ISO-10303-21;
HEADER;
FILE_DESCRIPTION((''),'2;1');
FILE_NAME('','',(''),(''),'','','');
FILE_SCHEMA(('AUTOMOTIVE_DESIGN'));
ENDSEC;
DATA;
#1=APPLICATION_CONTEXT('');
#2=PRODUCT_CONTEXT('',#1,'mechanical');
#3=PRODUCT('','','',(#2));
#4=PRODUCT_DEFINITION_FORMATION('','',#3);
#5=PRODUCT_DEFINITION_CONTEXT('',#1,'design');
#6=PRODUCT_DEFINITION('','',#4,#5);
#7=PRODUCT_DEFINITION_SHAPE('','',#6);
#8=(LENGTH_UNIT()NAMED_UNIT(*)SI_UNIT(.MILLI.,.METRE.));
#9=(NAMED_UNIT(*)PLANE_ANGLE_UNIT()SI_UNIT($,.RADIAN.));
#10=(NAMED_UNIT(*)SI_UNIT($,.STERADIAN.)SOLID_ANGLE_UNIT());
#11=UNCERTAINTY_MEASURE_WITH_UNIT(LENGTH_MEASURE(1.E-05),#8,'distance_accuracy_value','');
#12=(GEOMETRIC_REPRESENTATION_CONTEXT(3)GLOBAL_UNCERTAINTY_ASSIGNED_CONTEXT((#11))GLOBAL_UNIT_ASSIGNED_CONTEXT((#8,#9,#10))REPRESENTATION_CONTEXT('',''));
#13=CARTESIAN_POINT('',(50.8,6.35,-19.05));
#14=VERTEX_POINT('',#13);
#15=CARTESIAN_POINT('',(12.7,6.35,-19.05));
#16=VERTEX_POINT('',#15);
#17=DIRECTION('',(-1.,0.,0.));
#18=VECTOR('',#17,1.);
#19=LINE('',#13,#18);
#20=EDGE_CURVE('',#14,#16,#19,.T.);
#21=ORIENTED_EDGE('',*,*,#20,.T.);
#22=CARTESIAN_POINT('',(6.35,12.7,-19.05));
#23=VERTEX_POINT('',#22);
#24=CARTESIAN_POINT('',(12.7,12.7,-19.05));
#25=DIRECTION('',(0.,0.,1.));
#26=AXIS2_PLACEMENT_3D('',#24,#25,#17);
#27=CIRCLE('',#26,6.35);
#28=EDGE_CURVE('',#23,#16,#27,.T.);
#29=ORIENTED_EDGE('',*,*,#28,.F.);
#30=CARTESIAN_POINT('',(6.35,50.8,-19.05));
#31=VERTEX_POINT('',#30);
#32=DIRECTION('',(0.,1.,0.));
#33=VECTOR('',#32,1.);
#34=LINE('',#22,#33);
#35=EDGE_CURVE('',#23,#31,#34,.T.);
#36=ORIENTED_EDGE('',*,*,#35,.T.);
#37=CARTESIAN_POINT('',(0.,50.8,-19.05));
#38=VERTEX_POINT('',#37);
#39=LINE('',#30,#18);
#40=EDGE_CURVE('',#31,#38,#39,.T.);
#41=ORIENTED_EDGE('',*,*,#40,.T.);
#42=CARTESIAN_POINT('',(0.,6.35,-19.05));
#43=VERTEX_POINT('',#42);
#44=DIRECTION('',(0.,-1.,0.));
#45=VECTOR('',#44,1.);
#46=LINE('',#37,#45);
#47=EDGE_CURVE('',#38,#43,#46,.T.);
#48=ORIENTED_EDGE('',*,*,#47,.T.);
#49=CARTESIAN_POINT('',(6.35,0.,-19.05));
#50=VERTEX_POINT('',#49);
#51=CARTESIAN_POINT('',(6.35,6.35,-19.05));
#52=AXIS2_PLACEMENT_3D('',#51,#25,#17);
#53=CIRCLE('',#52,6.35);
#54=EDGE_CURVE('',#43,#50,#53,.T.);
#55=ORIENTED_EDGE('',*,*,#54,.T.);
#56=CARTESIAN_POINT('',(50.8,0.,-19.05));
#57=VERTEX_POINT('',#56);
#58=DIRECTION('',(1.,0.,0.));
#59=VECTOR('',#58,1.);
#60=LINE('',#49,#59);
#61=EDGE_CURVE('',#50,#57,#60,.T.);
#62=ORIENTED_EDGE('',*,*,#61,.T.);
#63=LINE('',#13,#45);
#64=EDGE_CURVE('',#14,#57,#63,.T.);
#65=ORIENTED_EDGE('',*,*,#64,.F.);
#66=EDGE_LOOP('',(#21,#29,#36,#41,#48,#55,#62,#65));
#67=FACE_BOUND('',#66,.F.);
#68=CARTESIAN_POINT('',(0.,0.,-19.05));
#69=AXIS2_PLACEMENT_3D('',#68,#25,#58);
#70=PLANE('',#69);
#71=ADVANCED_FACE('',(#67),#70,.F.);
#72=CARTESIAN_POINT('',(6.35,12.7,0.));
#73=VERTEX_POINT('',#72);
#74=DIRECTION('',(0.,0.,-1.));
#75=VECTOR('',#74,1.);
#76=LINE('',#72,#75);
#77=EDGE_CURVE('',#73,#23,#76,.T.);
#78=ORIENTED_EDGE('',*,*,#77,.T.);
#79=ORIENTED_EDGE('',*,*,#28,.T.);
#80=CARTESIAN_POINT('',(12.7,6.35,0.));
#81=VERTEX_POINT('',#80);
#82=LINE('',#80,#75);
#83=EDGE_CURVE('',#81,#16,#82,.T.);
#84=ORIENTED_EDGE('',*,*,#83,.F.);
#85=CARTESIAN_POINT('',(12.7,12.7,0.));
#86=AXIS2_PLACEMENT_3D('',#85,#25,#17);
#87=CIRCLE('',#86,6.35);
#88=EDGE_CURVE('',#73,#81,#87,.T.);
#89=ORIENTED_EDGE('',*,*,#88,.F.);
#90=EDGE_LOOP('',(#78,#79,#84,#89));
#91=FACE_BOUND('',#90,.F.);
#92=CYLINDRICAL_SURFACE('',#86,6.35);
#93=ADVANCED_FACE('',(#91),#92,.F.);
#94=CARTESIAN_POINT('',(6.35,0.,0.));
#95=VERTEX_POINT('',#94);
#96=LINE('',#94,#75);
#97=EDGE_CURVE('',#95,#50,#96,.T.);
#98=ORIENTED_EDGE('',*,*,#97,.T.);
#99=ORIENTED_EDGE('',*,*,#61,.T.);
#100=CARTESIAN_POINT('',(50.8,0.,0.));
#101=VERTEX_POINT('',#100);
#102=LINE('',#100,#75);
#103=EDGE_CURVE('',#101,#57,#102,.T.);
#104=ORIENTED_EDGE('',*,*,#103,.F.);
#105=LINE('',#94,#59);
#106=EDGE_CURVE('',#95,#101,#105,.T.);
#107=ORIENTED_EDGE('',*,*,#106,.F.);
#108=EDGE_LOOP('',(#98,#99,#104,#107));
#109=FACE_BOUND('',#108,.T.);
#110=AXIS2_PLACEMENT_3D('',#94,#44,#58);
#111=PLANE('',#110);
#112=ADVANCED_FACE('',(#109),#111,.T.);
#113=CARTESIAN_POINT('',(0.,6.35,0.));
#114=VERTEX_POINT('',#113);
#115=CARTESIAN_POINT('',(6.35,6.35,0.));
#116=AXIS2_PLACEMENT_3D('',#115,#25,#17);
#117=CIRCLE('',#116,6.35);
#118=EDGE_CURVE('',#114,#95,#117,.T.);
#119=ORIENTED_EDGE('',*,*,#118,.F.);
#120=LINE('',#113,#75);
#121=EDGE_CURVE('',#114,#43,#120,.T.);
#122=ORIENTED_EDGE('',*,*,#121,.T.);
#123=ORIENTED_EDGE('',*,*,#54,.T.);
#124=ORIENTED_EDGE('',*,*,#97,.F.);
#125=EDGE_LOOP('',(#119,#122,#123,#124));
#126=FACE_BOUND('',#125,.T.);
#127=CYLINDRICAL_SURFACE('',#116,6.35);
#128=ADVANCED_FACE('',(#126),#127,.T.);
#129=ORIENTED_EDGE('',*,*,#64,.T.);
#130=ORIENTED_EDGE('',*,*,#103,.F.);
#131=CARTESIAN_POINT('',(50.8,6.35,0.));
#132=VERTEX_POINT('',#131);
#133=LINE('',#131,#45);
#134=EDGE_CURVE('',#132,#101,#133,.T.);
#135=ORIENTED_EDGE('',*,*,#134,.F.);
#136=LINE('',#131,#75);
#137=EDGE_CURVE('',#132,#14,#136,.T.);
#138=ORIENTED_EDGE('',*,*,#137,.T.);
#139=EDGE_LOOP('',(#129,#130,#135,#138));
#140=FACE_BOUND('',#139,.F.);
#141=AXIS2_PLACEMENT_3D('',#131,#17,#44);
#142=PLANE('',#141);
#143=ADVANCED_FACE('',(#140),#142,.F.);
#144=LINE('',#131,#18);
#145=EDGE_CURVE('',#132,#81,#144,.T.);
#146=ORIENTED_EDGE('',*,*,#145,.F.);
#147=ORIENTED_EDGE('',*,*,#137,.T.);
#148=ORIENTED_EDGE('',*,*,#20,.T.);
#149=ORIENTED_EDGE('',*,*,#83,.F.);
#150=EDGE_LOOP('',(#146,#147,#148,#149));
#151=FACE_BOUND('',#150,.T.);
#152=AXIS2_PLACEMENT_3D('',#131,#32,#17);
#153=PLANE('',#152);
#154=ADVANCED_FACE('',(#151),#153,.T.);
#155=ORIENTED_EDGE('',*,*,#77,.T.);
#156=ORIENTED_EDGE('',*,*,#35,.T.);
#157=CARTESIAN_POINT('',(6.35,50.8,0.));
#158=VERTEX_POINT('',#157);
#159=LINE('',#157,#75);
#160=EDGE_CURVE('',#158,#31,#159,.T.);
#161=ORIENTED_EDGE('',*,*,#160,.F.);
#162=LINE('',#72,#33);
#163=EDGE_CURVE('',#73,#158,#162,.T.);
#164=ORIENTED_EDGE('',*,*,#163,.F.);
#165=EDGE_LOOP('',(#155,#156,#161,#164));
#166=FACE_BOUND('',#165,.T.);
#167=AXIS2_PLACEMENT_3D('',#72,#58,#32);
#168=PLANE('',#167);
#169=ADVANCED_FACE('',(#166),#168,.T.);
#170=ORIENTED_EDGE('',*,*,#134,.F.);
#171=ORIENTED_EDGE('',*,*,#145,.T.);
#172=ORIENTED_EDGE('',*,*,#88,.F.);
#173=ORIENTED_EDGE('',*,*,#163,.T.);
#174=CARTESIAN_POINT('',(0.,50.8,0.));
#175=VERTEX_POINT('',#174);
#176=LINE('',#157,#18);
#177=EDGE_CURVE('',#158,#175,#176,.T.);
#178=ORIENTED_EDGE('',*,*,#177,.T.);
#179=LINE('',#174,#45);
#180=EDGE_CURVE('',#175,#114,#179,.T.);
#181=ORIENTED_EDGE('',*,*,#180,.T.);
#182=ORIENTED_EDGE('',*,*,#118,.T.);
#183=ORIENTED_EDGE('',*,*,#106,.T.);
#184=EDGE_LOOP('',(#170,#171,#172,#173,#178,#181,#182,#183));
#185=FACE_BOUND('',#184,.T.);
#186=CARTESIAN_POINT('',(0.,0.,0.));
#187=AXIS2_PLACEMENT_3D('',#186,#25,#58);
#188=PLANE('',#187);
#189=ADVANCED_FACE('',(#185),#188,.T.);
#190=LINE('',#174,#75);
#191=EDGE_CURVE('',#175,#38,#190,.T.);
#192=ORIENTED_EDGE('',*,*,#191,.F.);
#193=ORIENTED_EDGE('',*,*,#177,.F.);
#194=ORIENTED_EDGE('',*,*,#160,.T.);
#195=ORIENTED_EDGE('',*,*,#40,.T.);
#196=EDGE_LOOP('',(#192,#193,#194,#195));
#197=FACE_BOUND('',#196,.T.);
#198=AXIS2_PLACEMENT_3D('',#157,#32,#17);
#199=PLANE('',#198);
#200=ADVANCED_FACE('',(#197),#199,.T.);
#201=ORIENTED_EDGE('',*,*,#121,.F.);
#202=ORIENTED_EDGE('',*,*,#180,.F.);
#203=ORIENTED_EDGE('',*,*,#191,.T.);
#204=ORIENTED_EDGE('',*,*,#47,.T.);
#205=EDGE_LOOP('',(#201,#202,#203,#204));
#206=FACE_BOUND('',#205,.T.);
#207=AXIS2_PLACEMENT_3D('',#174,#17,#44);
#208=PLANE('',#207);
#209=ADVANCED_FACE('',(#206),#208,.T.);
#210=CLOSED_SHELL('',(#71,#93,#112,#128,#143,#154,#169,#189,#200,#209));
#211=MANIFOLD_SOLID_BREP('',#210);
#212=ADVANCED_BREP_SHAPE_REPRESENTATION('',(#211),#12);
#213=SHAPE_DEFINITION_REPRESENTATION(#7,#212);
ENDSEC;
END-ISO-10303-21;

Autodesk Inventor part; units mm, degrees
ref_plane "YZ Plane" through (0, 0, 0) normal (1, 0, 0) x (0, 1, 0)
ref_plane "XZ Plane" through (0, 0, 0) normal (0, 1, 0) x (-1, 0, 0)
ref_plane "XY Plane" through (0, 0, 0) normal (0, 0, 1) x (1, 0, 0)
sketch "Sketch1" plane through (0, 0, 0) normal (0, 0, 1) x (1, 0, 0)
  line L0 (6.35, 0) -> (50.8, 0)
  line L1 (50.8, 6.35) -> (12.7, 6.35)
  line L2 (0, 6.35) -> (0, 6.35)
  line L3 (6.35, 12.7) -> (6.35, 50.8)
  line L4 (0, 50.8) -> (0, 6.35)
  arc A0 (6.35, 12.7) -> (12.7, 6.35) centre (12.7, 12.7) ccw
  arc A1 (0, 6.35) -> (6.35, 0) centre (6.35, 6.35) ccw
  line L5 (50.8, 6.35) -> (50.8, 0)
  line L6 (6.35, 50.8) -> (0, 50.8)
  point P0 (0, 0)
  dimension "d4" = 6.35
extrude "Extrusion1" add sketch "Sketch1" against normal blind 19.05
properties part number "Plexi disc mount"
